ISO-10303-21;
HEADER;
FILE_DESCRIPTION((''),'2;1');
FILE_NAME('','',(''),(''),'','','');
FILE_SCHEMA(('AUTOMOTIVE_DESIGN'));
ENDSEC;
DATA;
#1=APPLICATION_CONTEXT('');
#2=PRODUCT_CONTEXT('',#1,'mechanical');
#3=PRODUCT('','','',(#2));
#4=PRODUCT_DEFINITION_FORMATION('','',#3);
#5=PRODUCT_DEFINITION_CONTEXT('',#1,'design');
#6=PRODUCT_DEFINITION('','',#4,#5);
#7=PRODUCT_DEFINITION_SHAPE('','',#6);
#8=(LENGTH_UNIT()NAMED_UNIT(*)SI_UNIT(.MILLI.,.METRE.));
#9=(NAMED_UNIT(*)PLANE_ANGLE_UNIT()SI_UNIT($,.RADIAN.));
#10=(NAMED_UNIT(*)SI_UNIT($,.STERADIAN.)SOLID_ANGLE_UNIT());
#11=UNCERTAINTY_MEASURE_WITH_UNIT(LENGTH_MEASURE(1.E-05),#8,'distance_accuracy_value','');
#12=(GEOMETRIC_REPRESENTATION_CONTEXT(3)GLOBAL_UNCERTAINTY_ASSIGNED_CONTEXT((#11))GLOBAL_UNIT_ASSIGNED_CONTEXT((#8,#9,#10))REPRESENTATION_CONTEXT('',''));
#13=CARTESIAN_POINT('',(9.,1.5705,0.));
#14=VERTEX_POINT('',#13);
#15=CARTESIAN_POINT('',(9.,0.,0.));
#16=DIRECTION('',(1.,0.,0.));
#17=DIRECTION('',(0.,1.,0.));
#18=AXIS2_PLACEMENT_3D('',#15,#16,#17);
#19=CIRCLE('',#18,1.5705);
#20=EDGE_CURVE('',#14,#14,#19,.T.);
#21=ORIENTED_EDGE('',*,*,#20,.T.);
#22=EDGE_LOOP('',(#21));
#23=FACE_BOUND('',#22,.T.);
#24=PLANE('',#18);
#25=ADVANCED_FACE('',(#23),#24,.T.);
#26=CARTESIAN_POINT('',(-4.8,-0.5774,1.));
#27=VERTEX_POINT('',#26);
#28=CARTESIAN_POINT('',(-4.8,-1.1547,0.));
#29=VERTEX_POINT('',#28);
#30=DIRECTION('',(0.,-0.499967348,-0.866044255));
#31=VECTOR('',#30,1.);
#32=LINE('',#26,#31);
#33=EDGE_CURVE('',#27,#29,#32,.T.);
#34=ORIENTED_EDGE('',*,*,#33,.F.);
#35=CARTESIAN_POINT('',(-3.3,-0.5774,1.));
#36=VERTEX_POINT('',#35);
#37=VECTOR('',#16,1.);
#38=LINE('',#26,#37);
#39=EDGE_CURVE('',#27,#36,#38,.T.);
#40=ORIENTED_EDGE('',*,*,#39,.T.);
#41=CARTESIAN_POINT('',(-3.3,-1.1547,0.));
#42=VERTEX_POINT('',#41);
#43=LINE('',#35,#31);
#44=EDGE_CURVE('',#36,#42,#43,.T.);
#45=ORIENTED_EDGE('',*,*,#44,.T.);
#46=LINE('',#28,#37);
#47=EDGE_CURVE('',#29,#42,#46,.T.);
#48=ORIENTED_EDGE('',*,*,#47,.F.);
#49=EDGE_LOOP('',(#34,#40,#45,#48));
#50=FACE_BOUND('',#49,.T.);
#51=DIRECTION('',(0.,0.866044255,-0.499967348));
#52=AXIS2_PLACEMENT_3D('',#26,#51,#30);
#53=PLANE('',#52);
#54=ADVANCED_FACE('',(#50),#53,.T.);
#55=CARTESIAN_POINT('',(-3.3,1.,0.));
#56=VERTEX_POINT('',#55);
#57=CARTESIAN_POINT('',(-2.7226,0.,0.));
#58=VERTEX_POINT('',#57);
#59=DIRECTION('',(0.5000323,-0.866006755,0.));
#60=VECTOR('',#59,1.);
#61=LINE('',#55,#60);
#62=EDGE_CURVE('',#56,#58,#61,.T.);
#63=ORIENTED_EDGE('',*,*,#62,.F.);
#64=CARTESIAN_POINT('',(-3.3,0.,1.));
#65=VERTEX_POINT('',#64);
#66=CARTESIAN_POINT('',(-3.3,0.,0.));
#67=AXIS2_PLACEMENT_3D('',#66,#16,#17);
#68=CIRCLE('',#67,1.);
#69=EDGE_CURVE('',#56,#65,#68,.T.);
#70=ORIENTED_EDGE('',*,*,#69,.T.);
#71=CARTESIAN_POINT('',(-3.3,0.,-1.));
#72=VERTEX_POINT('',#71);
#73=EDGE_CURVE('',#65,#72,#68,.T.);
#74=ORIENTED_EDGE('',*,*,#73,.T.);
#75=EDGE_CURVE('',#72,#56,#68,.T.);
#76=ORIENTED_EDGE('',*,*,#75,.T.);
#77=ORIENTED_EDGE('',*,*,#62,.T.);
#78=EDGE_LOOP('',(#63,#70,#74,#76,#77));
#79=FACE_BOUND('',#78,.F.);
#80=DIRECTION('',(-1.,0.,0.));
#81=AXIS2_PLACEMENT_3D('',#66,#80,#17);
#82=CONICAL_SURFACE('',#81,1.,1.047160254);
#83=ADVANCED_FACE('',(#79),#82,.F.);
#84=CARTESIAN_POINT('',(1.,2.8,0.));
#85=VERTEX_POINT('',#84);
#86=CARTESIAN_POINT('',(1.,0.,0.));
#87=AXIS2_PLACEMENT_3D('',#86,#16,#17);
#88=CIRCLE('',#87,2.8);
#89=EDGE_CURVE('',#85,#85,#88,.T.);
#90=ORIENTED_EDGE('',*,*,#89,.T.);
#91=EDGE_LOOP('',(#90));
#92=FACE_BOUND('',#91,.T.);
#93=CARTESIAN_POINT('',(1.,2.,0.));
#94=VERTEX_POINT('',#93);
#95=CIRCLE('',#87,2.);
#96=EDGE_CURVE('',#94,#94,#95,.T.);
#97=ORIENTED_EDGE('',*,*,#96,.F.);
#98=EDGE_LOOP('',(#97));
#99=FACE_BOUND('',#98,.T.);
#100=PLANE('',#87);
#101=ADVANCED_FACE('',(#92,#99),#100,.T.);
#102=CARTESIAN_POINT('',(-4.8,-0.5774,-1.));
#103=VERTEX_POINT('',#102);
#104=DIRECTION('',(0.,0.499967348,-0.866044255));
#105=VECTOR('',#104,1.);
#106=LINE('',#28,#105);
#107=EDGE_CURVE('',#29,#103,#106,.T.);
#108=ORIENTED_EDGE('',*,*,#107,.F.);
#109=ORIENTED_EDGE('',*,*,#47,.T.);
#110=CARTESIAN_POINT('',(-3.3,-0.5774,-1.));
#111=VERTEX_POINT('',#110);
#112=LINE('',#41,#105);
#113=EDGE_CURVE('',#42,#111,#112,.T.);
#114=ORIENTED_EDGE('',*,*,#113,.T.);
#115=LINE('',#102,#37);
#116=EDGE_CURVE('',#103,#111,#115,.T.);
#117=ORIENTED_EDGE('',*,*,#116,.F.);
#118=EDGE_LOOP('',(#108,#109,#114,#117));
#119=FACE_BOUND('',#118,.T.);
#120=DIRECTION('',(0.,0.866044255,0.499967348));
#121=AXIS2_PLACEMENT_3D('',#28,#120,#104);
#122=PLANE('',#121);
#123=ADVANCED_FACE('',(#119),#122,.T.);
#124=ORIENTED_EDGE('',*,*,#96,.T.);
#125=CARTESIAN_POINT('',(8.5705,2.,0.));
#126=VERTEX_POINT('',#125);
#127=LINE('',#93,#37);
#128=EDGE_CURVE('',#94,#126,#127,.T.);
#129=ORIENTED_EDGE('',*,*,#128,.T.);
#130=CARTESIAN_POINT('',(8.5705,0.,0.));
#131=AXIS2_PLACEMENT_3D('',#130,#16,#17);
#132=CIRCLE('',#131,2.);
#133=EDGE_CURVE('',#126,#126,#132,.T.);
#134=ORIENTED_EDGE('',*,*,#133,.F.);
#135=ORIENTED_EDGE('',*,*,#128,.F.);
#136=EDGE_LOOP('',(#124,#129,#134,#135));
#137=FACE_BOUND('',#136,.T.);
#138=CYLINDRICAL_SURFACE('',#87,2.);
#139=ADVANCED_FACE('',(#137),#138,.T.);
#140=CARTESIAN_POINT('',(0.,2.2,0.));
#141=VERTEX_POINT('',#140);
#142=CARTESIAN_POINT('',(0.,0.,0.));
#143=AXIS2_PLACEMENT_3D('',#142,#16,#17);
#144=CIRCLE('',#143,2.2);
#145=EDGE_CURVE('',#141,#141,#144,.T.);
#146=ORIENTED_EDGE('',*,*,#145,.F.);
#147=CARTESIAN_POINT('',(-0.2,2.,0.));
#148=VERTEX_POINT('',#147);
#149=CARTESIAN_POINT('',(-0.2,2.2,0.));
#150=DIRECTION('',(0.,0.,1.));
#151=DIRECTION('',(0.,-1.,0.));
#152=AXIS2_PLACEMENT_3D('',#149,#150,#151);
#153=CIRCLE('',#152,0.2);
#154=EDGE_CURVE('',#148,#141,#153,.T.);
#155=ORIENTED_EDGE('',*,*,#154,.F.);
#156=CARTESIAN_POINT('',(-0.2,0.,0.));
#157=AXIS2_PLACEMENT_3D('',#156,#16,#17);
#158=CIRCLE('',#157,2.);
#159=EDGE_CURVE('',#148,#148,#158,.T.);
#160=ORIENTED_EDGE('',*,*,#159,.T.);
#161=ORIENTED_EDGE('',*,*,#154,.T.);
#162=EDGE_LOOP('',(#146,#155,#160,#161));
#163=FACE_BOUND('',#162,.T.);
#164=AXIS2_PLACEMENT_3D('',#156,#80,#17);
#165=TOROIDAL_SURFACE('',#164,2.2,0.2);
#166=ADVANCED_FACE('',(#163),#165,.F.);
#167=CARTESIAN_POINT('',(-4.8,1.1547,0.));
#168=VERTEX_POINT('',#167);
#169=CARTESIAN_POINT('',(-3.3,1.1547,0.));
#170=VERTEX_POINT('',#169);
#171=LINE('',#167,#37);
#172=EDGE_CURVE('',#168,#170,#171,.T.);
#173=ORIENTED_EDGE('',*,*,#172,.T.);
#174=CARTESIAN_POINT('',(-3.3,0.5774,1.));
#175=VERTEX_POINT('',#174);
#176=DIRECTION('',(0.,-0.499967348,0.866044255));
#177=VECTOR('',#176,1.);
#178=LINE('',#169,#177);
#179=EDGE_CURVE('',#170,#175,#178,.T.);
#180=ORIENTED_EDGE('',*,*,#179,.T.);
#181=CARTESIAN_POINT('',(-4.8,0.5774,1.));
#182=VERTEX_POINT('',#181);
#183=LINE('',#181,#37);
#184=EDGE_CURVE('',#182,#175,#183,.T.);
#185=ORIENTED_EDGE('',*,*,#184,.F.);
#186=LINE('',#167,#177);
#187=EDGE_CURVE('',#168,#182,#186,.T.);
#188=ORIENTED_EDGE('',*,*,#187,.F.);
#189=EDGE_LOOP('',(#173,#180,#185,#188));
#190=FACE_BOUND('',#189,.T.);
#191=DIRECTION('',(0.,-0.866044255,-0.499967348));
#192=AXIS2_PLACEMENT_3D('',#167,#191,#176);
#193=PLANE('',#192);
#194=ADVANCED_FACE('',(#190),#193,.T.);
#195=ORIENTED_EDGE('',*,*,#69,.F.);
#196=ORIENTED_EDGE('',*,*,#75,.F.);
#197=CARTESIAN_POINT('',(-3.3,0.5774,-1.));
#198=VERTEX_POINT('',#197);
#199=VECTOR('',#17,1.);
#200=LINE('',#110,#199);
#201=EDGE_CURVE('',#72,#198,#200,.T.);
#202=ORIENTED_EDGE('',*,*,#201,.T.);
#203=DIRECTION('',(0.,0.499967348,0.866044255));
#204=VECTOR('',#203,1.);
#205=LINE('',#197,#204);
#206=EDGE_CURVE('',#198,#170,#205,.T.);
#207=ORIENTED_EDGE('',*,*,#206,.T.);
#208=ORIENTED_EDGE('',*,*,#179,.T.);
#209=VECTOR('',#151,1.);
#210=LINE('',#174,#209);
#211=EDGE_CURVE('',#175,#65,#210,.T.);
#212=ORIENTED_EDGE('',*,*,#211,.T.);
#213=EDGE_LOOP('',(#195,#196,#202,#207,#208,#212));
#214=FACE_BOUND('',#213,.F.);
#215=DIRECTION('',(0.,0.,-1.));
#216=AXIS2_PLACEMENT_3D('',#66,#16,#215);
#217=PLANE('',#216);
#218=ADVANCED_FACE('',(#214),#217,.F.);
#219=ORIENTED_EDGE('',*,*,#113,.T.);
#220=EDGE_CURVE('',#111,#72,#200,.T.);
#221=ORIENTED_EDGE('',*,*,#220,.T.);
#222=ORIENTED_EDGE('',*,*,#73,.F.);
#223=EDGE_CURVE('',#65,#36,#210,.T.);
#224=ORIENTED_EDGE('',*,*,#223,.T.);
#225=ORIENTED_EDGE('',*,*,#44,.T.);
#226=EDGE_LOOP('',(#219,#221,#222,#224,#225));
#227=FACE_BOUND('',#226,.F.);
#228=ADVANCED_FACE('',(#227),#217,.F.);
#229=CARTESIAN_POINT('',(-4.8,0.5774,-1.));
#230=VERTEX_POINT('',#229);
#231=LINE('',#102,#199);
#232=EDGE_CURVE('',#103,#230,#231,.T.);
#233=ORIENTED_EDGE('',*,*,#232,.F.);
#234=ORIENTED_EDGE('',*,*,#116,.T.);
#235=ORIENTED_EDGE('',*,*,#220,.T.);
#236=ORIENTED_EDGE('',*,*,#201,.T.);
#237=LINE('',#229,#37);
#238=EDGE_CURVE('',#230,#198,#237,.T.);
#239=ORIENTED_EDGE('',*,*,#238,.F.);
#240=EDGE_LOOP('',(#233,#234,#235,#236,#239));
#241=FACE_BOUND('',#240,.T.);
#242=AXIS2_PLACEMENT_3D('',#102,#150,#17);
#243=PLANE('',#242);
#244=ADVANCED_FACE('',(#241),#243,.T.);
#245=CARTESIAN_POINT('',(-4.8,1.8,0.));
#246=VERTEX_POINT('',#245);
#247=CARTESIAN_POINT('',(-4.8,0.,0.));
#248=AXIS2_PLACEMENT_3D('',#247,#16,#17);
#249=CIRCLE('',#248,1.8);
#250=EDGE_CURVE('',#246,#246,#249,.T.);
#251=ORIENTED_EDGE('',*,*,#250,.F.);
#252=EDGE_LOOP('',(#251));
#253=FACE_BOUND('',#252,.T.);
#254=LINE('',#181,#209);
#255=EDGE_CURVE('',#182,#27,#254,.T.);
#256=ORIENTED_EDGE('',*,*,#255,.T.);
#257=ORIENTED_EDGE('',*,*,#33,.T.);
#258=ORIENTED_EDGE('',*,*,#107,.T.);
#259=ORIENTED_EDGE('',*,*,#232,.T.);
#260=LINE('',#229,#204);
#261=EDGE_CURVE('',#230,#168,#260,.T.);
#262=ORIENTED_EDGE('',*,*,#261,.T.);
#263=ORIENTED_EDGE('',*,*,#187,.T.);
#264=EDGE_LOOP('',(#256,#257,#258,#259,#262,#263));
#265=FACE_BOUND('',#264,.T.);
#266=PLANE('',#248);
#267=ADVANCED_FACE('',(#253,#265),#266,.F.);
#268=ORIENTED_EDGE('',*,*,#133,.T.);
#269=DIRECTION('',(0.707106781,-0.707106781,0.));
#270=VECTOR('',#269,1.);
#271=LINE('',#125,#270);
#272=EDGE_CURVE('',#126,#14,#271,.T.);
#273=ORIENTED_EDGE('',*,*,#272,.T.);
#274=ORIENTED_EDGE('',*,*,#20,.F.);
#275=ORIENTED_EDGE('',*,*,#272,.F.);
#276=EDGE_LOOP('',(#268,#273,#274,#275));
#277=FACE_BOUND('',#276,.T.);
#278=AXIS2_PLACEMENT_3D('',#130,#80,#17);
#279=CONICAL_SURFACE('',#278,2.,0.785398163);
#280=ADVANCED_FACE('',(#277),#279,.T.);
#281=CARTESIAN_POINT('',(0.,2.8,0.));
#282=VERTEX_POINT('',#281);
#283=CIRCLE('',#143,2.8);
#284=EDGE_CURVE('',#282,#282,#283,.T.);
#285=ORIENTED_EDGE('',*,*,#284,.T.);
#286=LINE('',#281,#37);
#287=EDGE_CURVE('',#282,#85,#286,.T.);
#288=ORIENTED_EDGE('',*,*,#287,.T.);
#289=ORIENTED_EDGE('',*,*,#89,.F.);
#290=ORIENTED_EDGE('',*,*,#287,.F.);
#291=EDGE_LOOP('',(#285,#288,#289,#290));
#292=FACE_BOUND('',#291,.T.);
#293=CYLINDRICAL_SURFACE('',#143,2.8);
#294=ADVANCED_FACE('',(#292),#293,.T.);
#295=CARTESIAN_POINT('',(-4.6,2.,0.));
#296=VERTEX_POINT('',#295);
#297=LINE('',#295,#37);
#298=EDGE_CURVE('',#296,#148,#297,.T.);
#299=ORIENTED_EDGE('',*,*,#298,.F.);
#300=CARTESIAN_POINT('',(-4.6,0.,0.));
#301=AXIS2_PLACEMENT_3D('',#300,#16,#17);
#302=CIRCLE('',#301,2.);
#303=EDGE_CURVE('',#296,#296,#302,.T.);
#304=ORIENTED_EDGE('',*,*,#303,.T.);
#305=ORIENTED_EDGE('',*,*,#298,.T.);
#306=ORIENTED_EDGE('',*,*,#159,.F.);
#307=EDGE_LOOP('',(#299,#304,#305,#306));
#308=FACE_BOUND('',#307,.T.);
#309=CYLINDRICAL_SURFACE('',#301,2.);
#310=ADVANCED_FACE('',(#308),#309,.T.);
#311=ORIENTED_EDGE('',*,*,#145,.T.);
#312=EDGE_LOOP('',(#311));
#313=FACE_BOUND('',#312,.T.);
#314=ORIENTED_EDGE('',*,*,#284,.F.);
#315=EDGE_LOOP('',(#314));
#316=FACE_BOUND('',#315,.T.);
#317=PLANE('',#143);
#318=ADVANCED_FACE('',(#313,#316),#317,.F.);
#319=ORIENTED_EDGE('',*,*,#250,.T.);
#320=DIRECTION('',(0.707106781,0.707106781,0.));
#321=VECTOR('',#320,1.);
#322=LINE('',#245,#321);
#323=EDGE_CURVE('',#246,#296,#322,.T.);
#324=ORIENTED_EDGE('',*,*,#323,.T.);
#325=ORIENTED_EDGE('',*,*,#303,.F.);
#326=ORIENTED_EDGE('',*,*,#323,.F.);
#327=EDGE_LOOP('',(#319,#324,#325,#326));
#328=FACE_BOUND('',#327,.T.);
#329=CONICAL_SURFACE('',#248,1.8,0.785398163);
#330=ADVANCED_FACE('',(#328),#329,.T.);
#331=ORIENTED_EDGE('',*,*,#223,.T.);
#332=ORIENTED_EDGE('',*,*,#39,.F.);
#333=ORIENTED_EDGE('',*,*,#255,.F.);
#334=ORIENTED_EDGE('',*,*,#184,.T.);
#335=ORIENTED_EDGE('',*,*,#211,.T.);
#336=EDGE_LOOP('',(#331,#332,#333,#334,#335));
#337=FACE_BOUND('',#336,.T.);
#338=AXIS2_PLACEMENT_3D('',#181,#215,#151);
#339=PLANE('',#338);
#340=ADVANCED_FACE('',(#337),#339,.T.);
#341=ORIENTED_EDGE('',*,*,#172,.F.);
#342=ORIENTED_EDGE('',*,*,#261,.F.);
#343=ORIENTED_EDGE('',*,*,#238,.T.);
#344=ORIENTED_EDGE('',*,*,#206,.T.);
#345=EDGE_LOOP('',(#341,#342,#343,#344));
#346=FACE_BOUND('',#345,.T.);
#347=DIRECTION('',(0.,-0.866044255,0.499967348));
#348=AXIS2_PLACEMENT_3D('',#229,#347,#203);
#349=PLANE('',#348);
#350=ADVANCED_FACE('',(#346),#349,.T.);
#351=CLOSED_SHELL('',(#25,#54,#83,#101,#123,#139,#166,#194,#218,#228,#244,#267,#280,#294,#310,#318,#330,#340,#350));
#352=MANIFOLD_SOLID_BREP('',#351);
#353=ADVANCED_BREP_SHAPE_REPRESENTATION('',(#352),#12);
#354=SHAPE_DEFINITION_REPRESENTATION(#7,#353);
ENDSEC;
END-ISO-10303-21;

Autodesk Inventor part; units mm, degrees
sketch "Sketch_1" plane through (0, 0, 0) normal (0, 0, 1) x (1, 0, 0)
  line L0 (1, 0) -> (-4.8, 0)
  line L1 (-4.8, 0) -> (-4.8, 1.8)
  line L2 (-4.8, 1.8) -> (-4.6, 2)
  line L3 (-4.6, 2) -> (-0.2, 2)
  arc A0 (-0.2, 2) -> (0, 2.2) centre (-0.2, 2.2) ccw
  line L4 (0, 2.2) -> (0, 2.8)
  line L5 (0, 2.8) -> (1, 2.8)
  line L6 (1, 2.8) -> (1, 0)
  line L7 (1, 0) -> (-4.8, 0)
revolve "Revolution1" add sketch "Sketch_1" angle 360 about axis through (1, 0, 0) along (1, 0, 0)
sketch "Sketch_5" plane through (0, 0, 0) normal (0, 0, 1) x (1, 0, 0)
  line L0 (9, 0) -> (1, 0)
  line L1 (1, 0) -> (1, 2)
  line L2 (1, 2) -> (8.5705, 2)
  line L3 (8.5705, 2) -> (9, 1.5705)
  line L4 (9, 1.5705) -> (9, 0)
  line L5 (9, 0) -> (1, 0)
revolve "Revolution2" add sketch "Sketch_5" angle 360 about axis through (9, 0, 0) along (1, 0, 0)
thread "Thread1" size "M4x0.7" class "6g" standard "ISO Metric profile" length 6.1705
sketch "Sketch_2" plane through (-4.8, 0, 0) normal (1, 0, 0) x (0, 0, -1)
  line L0 (-1, -0.5774) -> (0, -1.1547)
  line L1 (0, -1.1547) -> (1, -0.5774)
  line L2 (1, -0.5774) -> (1, 0.5774)
  line L3 (1, 0.5774) -> (0, 1.1547)
  line L4 (0, 1.1547) -> (-1, 0.5774)
  line L5 (-1, 0.5774) -> (-1, -0.5774)
extrude "Extrusion1" cut sketch "Sketch_2" along normal blind 1.5
sketch "Sketch_3" plane through (0, 0, 0) normal (0, 0, 1) x (1, 0, 0)
  line L0 (-2.7226, 0) -> (-3.3, 0)
  line L1 (-3.3, 0) -> (-3.3, 1)
  line L2 (-3.3, 1) -> (-2.7226, 0)
  line L3 (-2.7226, 0) -> (-3.3, 0)
revolve "Revolution3" cut sketch "Sketch_3" angle 360 about axis through (-2.7226, 0, 0) along (1, 0, 0)
ref_plane "shaft_to_bearing_XY" through (0, 0, 0) normal (1, 0, 0) x (0, 0, -1)
ref_plane "shaft_to_bearing_YZ" through (0, 0, 0) normal (0, 0, -1) x (0, 1, 0)
ref_plane "shaft_to_bearing_ZX" through (0, 0, 0) normal (0, 1, 0) x (1, 0, 0)
properties part number "E-NTBGT13-8_b"
